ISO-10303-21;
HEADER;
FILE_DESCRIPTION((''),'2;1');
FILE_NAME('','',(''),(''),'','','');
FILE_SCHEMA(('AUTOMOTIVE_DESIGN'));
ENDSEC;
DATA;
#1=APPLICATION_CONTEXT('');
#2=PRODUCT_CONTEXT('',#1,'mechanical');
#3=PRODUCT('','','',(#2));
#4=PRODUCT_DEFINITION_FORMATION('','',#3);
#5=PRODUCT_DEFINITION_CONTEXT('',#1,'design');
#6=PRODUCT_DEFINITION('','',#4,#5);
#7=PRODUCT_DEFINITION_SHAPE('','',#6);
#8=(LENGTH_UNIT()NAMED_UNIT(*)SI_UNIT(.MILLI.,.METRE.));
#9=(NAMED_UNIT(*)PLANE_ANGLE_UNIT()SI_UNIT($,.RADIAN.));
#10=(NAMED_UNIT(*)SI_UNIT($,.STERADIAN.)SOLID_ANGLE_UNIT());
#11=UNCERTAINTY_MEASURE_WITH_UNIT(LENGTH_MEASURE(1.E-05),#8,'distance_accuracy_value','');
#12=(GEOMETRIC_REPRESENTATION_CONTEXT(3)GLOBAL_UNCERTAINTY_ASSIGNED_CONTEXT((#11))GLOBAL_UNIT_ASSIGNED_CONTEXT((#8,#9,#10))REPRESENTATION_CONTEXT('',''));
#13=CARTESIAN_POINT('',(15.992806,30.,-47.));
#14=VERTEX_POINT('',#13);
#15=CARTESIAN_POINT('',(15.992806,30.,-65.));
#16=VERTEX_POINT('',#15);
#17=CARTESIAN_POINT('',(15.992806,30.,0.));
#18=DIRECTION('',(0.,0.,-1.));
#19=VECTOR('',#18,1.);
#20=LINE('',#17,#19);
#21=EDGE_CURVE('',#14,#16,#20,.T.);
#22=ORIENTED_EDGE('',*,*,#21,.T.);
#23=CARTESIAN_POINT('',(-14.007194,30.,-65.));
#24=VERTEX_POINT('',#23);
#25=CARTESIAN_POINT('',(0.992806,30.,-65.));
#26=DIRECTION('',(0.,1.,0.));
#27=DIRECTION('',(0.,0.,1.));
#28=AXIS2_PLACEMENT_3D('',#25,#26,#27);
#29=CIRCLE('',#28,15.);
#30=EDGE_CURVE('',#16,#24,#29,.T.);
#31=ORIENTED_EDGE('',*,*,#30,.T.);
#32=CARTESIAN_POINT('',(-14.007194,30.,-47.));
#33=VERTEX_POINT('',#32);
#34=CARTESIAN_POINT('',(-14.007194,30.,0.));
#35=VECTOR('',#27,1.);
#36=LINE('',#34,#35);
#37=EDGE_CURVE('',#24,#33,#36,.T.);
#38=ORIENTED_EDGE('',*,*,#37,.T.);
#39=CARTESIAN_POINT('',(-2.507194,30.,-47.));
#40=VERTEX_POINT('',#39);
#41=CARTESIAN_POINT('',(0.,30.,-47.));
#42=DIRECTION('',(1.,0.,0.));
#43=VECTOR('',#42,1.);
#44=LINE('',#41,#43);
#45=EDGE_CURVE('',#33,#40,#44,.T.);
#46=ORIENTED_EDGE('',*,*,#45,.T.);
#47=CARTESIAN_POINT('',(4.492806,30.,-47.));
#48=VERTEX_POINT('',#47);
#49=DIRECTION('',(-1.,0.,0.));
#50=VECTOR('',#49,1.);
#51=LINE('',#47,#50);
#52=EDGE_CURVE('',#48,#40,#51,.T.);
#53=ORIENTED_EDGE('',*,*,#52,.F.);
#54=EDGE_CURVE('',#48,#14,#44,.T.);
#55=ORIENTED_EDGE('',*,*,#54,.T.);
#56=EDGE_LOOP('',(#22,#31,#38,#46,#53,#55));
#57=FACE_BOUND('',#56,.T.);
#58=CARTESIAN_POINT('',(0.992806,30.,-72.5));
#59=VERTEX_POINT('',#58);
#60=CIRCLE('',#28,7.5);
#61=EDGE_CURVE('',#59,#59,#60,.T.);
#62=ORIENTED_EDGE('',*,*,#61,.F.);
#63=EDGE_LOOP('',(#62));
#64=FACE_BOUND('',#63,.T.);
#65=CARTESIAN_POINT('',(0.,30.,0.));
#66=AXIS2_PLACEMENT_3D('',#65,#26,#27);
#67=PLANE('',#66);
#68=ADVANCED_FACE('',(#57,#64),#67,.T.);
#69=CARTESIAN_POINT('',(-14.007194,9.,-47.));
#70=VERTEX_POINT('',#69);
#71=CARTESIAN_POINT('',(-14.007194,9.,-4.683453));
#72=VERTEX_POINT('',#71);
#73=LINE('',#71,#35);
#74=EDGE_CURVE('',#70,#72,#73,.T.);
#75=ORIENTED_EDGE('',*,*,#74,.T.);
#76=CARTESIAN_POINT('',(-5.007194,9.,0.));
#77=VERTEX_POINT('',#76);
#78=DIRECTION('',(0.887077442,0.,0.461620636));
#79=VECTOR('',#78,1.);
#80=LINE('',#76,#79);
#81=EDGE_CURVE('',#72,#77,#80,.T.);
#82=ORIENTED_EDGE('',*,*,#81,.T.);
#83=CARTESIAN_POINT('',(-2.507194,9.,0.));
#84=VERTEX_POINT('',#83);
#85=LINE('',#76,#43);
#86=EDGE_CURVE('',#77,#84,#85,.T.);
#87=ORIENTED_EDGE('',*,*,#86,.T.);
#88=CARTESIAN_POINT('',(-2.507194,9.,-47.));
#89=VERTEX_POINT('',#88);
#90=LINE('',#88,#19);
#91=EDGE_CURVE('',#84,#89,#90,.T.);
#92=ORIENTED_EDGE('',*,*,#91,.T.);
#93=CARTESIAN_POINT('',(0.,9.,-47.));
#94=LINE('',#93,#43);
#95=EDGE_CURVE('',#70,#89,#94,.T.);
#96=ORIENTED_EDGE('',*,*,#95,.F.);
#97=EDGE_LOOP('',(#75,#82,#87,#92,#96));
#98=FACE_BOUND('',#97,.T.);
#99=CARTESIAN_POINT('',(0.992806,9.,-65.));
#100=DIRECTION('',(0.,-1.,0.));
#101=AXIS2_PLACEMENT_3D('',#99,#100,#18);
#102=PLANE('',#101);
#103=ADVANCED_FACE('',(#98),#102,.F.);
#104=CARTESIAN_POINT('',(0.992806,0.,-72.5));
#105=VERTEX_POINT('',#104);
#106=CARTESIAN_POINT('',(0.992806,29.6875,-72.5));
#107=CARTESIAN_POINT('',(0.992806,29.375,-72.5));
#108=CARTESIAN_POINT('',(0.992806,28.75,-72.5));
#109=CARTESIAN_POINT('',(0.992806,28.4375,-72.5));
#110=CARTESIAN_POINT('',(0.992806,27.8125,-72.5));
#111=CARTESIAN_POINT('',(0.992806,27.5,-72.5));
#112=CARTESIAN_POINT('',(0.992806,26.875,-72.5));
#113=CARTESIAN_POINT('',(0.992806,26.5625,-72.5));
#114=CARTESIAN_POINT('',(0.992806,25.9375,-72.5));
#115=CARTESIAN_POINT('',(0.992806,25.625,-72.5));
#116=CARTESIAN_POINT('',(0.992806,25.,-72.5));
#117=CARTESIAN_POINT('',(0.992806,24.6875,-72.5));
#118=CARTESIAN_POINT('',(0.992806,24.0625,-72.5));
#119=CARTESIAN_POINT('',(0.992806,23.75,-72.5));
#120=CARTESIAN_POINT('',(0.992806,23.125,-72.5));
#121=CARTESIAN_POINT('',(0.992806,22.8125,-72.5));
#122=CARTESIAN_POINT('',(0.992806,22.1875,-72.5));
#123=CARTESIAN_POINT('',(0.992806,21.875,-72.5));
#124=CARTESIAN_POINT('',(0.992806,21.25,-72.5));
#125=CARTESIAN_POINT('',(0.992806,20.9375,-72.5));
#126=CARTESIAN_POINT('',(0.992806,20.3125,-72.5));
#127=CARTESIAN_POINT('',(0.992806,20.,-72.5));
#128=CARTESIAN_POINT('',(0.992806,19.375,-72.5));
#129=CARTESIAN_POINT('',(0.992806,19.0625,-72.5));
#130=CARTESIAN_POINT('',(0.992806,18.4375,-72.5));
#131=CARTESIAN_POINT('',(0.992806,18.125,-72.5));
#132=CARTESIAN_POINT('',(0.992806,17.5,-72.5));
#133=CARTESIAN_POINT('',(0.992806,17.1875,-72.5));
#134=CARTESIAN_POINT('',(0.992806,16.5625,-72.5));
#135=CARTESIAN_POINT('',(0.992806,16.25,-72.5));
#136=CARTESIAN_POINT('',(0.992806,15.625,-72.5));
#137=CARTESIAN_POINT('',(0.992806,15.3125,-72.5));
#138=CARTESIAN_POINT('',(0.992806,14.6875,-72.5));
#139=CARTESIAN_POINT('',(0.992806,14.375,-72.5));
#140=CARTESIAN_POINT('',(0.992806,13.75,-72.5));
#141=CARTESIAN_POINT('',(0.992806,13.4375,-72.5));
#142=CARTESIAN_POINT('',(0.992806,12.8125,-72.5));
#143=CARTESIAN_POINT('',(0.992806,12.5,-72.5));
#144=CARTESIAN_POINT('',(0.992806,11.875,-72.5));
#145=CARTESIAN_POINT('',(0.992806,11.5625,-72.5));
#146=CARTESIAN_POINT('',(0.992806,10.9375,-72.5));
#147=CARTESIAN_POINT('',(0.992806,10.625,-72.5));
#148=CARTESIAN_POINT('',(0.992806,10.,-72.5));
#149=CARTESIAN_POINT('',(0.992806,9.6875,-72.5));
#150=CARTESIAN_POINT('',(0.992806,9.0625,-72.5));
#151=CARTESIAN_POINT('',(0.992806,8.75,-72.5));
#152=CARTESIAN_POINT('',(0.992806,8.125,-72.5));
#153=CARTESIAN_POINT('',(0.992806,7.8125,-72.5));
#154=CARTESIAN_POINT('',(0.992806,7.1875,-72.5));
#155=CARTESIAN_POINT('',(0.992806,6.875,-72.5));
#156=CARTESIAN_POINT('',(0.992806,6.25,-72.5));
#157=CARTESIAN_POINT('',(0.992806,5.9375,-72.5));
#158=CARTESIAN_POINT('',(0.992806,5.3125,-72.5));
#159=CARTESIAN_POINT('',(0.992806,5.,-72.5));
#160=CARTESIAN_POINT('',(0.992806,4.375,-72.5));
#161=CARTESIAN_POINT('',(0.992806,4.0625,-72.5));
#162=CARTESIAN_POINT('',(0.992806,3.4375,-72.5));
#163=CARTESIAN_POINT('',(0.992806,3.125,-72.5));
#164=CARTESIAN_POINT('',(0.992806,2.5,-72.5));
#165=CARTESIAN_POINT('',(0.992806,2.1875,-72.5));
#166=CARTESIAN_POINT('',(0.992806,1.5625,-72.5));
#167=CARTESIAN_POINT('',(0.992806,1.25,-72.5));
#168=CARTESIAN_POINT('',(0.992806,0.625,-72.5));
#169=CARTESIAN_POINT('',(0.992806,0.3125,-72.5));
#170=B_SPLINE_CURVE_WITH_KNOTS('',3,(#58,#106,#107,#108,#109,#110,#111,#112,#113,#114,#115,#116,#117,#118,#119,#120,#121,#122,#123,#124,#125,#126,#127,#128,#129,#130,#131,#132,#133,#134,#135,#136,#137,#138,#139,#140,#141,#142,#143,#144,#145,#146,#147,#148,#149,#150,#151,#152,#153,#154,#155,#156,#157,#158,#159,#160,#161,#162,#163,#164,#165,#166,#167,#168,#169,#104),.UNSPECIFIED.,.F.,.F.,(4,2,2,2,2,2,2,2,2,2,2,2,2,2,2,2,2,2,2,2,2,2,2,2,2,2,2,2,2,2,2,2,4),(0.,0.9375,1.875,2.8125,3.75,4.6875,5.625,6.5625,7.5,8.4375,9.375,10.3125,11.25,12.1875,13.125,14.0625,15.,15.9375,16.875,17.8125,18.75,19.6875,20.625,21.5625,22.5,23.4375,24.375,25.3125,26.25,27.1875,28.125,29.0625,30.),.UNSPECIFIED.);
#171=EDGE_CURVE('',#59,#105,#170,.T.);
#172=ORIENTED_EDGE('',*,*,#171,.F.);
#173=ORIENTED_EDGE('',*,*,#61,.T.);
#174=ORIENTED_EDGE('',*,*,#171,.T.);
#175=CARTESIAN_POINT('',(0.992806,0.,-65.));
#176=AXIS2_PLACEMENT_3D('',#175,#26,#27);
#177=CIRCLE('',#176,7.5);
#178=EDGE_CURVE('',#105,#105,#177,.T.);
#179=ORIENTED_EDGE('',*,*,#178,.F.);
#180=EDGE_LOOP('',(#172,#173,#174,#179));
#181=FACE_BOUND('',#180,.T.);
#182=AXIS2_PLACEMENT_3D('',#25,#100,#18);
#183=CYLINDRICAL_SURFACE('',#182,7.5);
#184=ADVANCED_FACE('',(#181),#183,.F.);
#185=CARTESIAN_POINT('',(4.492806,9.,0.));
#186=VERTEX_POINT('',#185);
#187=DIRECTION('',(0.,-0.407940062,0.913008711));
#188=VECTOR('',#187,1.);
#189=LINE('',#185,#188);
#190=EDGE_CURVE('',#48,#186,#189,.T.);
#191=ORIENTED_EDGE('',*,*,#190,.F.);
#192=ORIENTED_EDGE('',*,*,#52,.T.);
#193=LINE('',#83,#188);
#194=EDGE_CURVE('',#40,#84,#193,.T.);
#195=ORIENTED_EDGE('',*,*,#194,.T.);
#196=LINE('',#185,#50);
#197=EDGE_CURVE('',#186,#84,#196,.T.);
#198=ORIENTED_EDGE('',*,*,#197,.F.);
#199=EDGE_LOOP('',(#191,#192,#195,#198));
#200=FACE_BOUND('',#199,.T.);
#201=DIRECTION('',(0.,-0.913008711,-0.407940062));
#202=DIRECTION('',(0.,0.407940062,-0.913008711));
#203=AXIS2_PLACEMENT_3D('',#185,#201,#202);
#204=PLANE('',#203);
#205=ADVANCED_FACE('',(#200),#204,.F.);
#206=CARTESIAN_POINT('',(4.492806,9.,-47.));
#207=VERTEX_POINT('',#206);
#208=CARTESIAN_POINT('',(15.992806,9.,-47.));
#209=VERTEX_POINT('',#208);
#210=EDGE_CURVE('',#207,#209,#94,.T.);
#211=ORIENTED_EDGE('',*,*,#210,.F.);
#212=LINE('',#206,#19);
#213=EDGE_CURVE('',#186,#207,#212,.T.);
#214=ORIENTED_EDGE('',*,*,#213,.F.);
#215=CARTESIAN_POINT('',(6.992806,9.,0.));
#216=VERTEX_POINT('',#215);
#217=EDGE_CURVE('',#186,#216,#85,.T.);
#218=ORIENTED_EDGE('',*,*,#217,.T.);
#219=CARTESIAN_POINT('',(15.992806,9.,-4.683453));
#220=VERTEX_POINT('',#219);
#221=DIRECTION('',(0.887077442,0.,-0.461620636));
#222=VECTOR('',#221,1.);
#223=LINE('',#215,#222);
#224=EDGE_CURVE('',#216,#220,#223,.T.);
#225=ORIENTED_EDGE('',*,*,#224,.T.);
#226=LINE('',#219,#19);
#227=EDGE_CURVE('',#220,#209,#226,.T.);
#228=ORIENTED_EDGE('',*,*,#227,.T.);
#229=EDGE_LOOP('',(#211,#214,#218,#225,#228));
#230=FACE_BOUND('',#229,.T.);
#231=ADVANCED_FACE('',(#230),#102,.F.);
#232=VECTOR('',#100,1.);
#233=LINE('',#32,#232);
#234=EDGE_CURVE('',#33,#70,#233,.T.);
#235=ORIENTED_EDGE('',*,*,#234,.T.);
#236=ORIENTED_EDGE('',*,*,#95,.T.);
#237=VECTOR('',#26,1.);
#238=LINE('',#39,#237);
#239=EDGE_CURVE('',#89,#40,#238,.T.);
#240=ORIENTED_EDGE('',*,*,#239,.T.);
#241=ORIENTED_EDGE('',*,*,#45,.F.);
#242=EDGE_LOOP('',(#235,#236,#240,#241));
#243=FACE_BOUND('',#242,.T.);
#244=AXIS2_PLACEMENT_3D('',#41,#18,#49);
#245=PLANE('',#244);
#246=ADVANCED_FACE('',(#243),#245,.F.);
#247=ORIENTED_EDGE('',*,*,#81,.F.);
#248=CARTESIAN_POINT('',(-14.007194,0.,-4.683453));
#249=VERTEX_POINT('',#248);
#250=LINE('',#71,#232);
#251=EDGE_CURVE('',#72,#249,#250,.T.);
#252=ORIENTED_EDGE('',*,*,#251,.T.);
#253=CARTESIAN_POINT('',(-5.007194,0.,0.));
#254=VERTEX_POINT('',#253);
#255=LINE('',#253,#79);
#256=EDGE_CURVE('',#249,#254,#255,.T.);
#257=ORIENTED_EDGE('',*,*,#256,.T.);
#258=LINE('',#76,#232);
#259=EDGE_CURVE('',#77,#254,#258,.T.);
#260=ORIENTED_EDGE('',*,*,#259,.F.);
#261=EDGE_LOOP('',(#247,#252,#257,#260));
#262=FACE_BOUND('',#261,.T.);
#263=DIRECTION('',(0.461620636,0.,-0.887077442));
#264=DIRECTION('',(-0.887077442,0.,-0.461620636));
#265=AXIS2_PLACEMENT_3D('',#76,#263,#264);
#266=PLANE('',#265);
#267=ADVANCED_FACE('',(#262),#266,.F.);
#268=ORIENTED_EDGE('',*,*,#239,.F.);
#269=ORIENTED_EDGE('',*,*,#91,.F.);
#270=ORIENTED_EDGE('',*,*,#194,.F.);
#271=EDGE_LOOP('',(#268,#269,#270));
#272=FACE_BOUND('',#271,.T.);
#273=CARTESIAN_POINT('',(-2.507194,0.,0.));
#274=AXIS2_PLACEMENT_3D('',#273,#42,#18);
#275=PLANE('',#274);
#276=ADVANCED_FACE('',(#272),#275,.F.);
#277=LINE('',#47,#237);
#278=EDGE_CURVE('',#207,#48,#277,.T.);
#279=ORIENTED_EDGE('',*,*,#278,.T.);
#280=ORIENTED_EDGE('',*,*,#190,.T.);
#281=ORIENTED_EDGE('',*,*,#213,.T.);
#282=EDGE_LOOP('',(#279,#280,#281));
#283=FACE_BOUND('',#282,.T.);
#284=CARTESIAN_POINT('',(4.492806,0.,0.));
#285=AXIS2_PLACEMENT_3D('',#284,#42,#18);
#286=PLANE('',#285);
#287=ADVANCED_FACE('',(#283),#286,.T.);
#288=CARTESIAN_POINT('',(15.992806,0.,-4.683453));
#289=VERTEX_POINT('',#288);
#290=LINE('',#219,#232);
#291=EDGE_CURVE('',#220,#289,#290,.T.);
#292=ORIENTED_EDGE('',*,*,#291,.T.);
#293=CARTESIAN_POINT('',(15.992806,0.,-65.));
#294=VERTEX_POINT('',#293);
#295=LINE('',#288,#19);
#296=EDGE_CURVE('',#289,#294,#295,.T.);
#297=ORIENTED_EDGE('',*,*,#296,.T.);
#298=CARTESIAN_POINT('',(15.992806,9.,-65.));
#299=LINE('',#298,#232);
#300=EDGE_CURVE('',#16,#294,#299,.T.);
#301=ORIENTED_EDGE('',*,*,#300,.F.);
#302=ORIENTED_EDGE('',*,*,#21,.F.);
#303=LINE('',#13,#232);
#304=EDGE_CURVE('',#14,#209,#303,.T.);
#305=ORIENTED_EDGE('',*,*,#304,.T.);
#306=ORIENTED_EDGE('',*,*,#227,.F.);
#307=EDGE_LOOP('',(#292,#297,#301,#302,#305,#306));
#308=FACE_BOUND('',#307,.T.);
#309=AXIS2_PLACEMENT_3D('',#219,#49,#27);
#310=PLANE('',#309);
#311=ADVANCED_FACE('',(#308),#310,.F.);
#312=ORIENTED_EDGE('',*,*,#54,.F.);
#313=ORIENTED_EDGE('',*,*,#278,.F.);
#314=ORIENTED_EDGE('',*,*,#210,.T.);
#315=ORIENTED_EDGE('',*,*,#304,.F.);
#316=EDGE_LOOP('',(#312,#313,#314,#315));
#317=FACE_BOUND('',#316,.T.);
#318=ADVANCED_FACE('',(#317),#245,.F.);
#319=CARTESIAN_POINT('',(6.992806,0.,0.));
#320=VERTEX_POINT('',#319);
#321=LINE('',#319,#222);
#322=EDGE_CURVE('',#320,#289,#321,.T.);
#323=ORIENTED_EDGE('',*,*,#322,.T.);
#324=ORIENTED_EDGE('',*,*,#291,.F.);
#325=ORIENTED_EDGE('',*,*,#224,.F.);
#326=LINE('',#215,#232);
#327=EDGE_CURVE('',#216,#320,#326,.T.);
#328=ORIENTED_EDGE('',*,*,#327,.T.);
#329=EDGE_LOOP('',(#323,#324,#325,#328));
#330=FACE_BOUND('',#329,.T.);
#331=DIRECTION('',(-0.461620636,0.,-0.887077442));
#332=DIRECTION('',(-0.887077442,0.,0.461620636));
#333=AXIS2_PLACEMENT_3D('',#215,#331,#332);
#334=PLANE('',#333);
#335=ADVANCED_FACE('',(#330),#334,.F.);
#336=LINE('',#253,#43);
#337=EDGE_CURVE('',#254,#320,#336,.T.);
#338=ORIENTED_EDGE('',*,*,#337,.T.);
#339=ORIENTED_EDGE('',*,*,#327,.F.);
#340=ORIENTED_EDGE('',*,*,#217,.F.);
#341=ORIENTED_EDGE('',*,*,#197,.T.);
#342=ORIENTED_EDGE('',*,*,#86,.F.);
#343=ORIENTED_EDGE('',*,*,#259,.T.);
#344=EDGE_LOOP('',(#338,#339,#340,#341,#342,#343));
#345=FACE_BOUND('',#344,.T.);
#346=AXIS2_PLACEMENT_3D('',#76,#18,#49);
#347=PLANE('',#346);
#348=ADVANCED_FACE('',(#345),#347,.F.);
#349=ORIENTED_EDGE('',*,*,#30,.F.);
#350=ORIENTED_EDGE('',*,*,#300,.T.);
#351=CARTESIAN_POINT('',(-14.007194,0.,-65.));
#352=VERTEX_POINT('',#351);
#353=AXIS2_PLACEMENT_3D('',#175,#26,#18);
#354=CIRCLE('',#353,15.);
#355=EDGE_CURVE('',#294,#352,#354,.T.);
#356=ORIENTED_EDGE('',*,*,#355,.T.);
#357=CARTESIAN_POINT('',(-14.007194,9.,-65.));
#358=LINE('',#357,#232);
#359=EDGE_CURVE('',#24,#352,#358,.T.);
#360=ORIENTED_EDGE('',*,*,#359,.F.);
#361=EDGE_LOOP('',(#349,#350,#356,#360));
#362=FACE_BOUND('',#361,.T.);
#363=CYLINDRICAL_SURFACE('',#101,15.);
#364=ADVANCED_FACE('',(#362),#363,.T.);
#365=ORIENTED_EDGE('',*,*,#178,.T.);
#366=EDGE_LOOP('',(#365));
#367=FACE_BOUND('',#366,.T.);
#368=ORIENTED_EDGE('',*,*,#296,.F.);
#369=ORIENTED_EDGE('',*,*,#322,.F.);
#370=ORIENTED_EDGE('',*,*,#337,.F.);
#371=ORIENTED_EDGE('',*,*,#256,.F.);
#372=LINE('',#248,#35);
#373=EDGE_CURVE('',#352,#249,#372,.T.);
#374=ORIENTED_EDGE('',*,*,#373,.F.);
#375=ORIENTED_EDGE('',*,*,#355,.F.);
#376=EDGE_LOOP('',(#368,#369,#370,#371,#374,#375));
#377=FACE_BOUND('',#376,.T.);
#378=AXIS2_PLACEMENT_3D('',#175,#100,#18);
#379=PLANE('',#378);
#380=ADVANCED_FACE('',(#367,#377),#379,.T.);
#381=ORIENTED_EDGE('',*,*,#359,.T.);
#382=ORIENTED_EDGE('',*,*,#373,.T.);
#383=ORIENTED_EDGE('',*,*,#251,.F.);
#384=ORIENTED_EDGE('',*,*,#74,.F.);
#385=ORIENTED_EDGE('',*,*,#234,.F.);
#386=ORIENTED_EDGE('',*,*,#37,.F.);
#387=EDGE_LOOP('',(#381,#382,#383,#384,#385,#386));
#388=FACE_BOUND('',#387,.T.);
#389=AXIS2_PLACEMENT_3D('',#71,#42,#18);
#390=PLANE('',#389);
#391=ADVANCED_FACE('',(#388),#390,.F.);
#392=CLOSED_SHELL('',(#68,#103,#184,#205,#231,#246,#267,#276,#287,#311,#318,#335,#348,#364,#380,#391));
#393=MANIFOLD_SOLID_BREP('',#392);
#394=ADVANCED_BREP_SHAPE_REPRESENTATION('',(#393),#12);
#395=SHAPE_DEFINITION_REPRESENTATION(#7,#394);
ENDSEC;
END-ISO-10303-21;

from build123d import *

# Parameters (mm, degrees)
BOSS_EXTRUDE1_DEPTH = 9
SKETCH2_R           = 7.5
BOSS_EXTRUDE2_DEPTH = 21
BOSS_EXTRUDE3_DEPTH = 3.5
SKETCH4_R           = 7.5
CUT_EXTRUDE1_DEPTH  = 85.242328054


with BuildPart() as part:
    # Sketch1 → Boss-Extrude1 (new body)
    with BuildSketch(Plane(origin=(0, 0, 0), x_dir=(1, 0, 0), z_dir=(0, 1, 0))):
        with BuildLine():
            Line((-5.007194245, 0), (6.992805755, 0))
            Line((6.992805755, 0), (15.992805755, 4.683453237))
            Line((15.992805755, 4.683453237), (15.992805755, 65))
            ThreePointArc((15.992805755, 65), (0.992805755, 80), (-14.007194245, 65))
            Line((-14.007194245, 65), (-14.007194245, 4.683453237))
            Line((-14.007194245, 4.683453237), (-5.007194245, 0))
        make_face()
    extrude(amount=BOSS_EXTRUDE1_DEPTH)

    # Sketch2 → Boss-Extrude2 (add)
    with BuildSketch(Plane(origin=(0, 9, 0), x_dir=(1, 0, 0), z_dir=(0, 1, 0))):
        with BuildLine():
            ThreePointArc((15.992805755, 65), (0.992805755, 80), (-14.007194245, 65))
            Line((-14.007194245, 65), (-14.007194245, 47))
            Line((-14.007194245, 47), (15.992805755, 47))
            Line((15.992805755, 47), (15.992805755, 65))
        make_face()
        with Locations(Location((0.992805755, 65, 0), (0, 0, 90))):
            Circle(SKETCH2_R, mode=Mode.SUBTRACT)
    extrude(amount=BOSS_EXTRUDE2_DEPTH)

    # Sketch3 → Boss-Extrude3 (add, symmetric)
    with BuildSketch(Plane(origin=(0.992805755, 0, 0), x_dir=(0, 0, -1), z_dir=(1, 0, 0))):
        Polygon((0, 9), (47, 30), (47, 9), align=None)
    extrude(amount=BOSS_EXTRUDE3_DEPTH, both=True)

    # Sketch4 → Cut-Extrude1 (cut, through all)
    with BuildSketch(Plane(origin=(0, 9, 0), x_dir=(1, 0, 0), z_dir=(0, 1, 0))):
        with Locations(Location((0.992805755, 65, 0), (0, 0, 90))):
            Circle(SKETCH4_R)
    extrude(amount=-CUT_EXTRUDE1_DEPTH, mode=Mode.SUBTRACT)


solid = part.part
